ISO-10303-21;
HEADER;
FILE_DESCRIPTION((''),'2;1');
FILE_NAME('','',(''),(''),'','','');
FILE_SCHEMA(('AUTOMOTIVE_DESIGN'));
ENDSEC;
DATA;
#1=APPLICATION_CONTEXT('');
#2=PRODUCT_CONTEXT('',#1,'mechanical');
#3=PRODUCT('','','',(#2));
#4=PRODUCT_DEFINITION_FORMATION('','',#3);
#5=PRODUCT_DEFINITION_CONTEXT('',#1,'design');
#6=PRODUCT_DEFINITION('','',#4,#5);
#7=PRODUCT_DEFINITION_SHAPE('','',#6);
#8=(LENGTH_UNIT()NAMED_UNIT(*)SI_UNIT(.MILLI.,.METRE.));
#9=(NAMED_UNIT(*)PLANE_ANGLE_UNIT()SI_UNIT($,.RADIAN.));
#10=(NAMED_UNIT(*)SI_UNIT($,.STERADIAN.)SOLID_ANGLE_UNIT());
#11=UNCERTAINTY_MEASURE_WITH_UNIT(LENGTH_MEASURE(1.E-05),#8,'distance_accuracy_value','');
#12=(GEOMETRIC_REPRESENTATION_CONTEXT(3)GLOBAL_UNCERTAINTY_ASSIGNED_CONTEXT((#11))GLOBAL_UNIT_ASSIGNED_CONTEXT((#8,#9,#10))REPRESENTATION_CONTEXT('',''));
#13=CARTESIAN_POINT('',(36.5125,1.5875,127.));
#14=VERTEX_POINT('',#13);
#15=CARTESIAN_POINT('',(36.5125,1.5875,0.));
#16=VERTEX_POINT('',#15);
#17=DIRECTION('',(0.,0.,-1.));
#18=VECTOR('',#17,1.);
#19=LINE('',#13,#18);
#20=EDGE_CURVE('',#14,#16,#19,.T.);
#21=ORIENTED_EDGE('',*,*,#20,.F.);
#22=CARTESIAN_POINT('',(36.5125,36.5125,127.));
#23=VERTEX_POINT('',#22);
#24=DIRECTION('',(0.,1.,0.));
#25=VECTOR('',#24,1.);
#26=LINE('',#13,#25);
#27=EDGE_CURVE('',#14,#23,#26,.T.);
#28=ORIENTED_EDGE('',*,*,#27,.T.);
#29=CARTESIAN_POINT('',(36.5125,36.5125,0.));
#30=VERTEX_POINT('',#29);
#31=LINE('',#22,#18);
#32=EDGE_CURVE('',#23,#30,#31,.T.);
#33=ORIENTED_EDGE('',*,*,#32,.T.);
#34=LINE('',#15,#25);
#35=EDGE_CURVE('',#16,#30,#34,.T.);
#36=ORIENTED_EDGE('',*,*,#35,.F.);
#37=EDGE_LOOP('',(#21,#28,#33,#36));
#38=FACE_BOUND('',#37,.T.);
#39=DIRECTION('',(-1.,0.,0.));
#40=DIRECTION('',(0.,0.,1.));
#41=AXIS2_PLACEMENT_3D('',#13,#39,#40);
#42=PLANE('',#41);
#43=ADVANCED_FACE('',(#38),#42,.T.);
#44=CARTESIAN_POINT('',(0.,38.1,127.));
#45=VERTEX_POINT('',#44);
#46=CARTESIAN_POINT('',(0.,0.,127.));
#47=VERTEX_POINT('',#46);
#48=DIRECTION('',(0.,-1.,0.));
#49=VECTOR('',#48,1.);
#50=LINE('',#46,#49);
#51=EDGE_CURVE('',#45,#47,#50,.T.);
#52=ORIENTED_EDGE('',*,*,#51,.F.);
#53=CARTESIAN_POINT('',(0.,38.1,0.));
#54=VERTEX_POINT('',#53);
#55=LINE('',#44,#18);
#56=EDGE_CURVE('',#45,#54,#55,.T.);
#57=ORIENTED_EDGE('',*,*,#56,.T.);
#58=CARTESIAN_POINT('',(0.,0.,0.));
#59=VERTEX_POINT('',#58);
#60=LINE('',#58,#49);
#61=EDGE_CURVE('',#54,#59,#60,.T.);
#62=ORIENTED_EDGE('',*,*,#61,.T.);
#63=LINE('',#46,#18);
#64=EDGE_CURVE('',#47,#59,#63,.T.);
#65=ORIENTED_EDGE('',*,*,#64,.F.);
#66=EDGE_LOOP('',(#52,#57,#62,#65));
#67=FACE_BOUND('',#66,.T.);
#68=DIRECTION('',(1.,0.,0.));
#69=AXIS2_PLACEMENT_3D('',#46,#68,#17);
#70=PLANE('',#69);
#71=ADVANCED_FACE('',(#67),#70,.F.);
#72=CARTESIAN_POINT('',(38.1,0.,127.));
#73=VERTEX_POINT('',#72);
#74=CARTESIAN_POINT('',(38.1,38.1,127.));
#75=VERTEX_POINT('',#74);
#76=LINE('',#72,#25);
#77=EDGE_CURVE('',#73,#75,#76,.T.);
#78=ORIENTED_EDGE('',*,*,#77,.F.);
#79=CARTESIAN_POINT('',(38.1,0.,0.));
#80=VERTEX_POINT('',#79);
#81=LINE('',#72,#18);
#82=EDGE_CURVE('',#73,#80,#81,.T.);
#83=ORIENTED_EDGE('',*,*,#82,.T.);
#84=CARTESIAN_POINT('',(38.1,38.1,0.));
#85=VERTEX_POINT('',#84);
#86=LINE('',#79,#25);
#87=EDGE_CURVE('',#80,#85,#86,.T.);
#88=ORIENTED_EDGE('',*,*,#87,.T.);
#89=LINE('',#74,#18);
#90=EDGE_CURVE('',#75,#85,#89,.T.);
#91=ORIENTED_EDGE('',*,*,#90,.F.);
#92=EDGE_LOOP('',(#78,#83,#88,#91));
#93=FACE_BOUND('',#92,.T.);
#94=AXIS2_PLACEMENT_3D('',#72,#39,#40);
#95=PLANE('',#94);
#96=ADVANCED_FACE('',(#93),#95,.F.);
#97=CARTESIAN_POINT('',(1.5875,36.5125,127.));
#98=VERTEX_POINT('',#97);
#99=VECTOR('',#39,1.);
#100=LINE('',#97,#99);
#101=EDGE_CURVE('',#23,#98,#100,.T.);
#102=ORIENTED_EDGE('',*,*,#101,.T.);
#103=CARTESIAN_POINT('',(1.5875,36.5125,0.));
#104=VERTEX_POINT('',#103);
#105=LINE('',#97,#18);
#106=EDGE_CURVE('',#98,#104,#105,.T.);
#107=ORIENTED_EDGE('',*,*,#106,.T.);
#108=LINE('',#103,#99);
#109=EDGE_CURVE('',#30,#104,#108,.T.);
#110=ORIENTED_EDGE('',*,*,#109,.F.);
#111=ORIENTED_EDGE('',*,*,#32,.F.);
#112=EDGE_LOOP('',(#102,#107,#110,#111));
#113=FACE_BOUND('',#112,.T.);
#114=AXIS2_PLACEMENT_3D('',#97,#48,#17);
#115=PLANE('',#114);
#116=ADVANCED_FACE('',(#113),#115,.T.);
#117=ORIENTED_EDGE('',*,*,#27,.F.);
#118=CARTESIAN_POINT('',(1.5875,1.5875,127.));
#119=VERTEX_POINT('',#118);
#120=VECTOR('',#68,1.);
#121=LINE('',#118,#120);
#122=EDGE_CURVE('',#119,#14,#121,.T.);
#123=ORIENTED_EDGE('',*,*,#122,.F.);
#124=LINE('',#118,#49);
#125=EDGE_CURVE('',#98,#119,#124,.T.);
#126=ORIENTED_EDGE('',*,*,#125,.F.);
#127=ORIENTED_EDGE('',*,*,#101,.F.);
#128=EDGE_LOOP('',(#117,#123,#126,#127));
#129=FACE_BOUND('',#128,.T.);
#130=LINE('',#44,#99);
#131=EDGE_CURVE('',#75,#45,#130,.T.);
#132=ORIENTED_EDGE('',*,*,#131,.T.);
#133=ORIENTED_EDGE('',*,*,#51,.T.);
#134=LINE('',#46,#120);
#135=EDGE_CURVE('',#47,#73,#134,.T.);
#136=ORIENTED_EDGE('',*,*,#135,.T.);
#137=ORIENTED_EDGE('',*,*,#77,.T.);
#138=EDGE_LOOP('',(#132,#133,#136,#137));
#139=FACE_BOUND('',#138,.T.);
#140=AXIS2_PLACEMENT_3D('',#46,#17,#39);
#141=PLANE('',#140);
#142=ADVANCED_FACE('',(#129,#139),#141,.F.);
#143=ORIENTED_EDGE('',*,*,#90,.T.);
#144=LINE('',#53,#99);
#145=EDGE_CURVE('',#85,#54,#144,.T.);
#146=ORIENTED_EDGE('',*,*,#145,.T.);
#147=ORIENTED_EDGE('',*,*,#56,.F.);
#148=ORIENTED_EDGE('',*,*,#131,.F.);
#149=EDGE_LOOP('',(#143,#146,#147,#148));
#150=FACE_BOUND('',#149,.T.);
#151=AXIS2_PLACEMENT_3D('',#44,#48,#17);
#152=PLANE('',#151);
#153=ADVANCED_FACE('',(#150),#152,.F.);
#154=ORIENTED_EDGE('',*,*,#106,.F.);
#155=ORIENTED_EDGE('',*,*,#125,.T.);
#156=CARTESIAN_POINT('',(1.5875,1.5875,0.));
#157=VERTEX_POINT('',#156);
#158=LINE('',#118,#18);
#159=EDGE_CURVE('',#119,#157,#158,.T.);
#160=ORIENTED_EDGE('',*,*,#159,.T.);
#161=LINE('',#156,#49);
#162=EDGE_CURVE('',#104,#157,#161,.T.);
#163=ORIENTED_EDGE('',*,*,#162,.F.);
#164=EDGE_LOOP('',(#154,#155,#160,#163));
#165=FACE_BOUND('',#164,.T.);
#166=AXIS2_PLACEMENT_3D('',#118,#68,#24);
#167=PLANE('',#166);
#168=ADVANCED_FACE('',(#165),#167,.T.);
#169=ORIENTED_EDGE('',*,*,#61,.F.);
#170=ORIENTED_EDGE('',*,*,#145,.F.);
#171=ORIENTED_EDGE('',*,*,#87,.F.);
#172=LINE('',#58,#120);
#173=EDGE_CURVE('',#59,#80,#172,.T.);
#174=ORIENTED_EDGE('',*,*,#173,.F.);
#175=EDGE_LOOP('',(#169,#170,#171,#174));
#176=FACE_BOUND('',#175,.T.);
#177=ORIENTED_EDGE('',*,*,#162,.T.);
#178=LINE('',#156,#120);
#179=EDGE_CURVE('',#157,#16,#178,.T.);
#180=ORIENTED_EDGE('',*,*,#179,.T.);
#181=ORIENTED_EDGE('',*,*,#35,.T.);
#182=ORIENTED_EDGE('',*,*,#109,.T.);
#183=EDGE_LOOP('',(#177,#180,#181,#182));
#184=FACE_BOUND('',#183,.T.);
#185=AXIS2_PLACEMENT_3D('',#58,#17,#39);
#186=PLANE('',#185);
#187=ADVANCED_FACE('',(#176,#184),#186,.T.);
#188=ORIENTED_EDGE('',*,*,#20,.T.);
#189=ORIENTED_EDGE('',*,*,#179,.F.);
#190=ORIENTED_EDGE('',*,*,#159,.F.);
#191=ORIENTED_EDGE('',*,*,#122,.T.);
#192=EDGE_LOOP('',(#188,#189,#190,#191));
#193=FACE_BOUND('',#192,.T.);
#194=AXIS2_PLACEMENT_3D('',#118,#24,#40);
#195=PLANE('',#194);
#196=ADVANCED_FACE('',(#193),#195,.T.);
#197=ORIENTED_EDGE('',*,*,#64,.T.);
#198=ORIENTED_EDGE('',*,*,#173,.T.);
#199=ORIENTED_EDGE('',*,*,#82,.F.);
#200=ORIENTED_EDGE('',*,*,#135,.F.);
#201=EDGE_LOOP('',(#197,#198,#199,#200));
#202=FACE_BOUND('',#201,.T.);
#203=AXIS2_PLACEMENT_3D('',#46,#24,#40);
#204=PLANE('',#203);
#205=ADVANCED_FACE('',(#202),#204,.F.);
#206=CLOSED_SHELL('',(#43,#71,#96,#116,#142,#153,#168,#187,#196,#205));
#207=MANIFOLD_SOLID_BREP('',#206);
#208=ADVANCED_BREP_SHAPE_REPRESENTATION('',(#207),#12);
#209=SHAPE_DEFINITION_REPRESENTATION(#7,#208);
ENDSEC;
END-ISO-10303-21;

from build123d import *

# Parameters (mm, degrees)
SKETCH2_W           = 38.1
SKETCH2_H           = 38.1
SKETCH2_W_2         = 34.925
SKETCH2_H_2         = 34.925
BOSS_EXTRUDE1_DEPTH = 127


with BuildPart() as part:
    # Sketch2 → Boss-Extrude1 (new body)
    with BuildSketch(Plane.XY):
        with Locations((19.05, 19.05)):
            Rectangle(SKETCH2_W, SKETCH2_H)
        with Locations((19.05, 19.05)):
            Rectangle(SKETCH2_W_2, SKETCH2_H_2, mode=Mode.SUBTRACT)
    extrude(amount=BOSS_EXTRUDE1_DEPTH)


solid = part.part
